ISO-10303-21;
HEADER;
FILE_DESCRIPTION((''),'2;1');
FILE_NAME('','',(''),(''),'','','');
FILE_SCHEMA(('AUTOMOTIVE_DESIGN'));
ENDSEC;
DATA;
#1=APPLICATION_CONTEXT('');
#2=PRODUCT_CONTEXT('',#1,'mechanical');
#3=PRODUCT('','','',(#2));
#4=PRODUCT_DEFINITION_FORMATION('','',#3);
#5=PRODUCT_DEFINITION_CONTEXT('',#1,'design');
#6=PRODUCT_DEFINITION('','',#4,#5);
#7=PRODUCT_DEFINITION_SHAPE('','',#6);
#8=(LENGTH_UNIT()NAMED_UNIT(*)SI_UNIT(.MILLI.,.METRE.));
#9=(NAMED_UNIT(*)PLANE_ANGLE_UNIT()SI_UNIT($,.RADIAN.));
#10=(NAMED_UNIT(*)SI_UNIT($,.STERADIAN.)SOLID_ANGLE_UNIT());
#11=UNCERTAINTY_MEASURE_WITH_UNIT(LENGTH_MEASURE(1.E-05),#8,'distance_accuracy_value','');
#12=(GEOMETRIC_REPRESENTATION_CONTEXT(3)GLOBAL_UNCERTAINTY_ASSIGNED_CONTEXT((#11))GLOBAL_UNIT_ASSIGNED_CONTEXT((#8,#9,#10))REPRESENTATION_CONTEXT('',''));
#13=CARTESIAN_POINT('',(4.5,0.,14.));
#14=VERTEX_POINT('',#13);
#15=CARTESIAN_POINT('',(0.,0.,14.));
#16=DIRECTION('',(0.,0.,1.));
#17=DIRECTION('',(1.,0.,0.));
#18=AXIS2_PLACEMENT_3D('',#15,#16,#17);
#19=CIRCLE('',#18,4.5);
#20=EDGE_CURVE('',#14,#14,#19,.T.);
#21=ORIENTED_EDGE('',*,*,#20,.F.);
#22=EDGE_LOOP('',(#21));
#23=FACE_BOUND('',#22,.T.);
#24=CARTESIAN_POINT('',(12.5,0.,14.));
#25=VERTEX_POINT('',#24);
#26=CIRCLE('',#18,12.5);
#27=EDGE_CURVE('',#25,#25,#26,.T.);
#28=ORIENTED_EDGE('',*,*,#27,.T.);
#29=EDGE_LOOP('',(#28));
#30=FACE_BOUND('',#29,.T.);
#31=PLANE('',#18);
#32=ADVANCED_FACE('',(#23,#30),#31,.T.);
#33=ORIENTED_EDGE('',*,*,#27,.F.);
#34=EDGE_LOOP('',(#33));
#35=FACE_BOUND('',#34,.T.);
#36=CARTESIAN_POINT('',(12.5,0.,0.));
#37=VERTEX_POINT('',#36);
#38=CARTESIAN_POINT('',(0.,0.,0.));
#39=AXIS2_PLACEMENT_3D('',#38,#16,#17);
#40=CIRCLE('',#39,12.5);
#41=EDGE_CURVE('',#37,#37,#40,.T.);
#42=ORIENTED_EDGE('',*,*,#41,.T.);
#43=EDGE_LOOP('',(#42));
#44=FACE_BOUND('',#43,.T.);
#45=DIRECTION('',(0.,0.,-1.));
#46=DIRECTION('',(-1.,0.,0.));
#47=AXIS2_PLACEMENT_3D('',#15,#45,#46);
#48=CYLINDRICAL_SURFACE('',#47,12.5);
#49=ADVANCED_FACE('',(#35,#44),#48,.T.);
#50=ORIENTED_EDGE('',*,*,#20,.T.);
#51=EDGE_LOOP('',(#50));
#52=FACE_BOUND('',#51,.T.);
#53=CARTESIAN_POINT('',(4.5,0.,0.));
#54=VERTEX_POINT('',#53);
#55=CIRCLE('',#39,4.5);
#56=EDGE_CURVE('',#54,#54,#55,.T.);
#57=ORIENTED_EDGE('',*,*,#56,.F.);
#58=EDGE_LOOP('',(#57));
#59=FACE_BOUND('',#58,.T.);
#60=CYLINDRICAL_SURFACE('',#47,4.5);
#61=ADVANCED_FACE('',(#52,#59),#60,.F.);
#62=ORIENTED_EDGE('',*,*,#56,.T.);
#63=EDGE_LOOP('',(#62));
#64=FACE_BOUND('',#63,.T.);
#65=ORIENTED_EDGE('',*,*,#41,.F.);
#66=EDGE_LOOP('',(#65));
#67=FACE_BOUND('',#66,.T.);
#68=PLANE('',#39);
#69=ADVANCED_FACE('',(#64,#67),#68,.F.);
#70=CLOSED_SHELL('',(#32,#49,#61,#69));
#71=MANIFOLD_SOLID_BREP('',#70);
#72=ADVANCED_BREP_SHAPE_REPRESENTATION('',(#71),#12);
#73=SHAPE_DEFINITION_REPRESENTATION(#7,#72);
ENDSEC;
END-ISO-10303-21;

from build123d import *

# Parameters (mm, degrees)
ESBO_O1_R                = 12.5
ESBO_O1_R_2              = 4.5
RESSALTO_EXTRUS_O1_DEPTH = 14


with BuildPart() as part:
    # Esboço1 → Ressalto-extrusão1 (new body)
    with BuildSketch(Plane.XY):
        Circle(ESBO_O1_R)
        Circle(ESBO_O1_R_2, mode=Mode.SUBTRACT)
    extrude(amount=RESSALTO_EXTRUS_O1_DEPTH)


solid = part.part
